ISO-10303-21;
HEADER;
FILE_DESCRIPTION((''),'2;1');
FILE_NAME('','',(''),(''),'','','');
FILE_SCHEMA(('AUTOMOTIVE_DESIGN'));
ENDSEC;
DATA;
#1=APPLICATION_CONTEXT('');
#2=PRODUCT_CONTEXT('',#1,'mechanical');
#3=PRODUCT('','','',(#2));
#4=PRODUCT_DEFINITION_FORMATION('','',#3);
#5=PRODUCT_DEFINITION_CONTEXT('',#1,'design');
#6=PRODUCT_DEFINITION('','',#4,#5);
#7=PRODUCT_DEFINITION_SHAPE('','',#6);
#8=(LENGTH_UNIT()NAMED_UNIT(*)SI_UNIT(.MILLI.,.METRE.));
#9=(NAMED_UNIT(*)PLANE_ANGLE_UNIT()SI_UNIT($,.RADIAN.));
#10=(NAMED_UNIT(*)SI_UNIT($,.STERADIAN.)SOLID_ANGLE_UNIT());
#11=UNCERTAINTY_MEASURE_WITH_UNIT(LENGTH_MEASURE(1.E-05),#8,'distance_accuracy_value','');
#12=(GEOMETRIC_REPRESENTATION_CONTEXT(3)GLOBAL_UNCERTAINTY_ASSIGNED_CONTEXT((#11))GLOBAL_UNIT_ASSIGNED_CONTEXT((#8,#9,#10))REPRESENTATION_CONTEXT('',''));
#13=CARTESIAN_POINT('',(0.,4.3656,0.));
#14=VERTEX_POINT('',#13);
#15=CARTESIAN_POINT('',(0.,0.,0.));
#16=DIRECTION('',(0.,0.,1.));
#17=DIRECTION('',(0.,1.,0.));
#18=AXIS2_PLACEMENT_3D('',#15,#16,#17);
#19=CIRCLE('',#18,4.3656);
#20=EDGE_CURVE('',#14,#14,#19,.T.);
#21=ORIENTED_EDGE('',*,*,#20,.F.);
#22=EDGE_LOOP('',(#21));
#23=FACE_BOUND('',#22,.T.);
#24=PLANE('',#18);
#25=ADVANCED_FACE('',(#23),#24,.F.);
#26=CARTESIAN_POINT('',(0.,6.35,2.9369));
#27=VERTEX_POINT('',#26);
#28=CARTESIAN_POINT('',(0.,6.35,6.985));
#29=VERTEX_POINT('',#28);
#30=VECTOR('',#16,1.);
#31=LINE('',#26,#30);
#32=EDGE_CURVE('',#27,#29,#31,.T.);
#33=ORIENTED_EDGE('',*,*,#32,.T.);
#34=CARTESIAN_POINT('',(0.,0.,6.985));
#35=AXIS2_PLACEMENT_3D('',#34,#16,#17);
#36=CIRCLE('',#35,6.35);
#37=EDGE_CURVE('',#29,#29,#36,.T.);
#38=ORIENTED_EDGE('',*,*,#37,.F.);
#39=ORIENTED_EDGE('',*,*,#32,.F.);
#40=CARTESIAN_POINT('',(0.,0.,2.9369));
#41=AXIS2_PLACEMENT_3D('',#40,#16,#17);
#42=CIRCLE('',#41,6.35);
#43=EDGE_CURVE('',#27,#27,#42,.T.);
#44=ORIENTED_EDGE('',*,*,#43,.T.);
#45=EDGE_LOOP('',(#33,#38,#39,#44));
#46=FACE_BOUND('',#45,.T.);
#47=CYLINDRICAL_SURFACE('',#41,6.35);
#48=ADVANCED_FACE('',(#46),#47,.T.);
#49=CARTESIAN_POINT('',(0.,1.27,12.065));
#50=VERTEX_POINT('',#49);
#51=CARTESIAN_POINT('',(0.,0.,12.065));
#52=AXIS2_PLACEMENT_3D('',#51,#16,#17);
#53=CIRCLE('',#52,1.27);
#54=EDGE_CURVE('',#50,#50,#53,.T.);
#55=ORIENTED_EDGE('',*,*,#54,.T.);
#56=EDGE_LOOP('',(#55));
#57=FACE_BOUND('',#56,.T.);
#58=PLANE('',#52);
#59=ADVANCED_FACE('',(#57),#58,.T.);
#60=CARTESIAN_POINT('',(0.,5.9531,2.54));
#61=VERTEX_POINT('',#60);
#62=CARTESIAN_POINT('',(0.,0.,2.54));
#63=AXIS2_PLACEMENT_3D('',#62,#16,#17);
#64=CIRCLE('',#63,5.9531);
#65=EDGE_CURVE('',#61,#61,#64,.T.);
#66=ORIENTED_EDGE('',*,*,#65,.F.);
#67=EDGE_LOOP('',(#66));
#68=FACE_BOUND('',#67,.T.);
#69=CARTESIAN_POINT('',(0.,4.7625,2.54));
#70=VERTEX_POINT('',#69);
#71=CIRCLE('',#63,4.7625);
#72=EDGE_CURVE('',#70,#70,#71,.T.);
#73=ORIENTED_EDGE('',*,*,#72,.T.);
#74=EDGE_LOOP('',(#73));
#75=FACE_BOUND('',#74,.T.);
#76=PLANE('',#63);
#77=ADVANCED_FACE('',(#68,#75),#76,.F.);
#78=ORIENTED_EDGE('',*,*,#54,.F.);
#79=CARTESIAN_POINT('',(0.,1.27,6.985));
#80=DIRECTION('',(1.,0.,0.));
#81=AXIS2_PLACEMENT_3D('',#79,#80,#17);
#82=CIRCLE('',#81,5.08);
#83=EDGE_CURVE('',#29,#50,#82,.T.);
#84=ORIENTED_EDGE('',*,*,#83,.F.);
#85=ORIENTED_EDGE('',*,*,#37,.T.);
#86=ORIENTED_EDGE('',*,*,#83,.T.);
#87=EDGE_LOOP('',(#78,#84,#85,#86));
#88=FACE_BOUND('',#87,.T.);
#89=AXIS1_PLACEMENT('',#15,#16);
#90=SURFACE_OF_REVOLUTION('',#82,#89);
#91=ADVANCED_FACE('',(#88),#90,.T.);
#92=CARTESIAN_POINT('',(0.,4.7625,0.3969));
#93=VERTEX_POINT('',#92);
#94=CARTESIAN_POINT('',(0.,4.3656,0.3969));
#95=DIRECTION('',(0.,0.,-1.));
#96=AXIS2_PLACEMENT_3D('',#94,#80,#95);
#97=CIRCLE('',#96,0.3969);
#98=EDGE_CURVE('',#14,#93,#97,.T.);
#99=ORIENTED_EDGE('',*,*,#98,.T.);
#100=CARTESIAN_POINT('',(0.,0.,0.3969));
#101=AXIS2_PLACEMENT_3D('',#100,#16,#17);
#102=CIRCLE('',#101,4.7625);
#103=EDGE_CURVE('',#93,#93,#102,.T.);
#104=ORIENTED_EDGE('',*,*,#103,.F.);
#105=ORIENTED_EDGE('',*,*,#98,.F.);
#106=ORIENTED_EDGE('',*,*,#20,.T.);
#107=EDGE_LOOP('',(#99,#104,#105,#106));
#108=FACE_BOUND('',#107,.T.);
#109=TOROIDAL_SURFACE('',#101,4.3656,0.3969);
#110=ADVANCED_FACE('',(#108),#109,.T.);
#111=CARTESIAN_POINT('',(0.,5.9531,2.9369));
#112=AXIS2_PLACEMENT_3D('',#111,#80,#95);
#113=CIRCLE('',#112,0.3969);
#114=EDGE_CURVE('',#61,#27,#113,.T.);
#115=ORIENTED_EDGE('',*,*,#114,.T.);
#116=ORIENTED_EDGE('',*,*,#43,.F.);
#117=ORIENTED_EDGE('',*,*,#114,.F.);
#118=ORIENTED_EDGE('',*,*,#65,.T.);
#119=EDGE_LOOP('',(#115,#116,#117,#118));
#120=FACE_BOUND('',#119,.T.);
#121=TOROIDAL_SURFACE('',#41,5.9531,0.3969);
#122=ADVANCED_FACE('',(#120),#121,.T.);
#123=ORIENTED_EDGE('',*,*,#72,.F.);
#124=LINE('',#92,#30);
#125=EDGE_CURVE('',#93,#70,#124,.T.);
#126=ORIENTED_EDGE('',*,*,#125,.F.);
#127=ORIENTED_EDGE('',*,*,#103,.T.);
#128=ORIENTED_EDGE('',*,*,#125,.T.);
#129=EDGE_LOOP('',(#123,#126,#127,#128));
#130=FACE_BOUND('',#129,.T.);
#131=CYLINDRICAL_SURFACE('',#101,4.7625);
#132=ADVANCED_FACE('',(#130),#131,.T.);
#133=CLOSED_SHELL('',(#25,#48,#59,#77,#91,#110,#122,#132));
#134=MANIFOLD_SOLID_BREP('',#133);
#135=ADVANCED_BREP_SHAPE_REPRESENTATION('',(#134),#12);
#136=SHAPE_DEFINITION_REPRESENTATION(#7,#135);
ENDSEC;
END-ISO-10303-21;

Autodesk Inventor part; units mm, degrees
ref_plane "YZ Plane" through (0, 0, 0) normal (1, 0, 0) x (0, 1, 0)
ref_plane "XZ Plane" through (0, 0, 0) normal (0, 1, 0) x (-1, 0, 0)
ref_plane "XY Plane" through (0, 0, 0) normal (0, 0, 1) x (1, 0, 0)
sketch "Sketch1" plane through (0, 0, 0) normal (1, 0, 0) x (0, 1, 0)
  line L0 (0, 0) -> (0, 9.586) construction
  line L1 (0, 0) -> (4.3656, 0)
  line L2 (4.7625, 0.3969) -> (4.7625, 2.54)
  line L3 (4.7625, 2.54) -> (0, 2.54)
  line L4 (0, 2.54) -> (0, 0)
  line L5 (0, 2.54) -> (5.9531, 2.54)
  line L6 (6.35, 2.9369) -> (6.35, 6.985)
  line L7 (1.27, 12.065) -> (0, 12.065)
  line L8 (0, 12.065) -> (0, 2.54)
  arc A0 (4.3656, 0) -> (4.7625, 0.3969) centre (4.3656, 0.3969) ccw
  arc A1 (5.9531, 2.54) -> (6.35, 2.9369) centre (5.9531, 2.9369) ccw
  arc A2 (6.35, 6.985) -> (1.27, 12.065) centre (1.27, 6.985) ccw
  point P0 (4.7625, 0)
  point P1 (6.35, 12.065)
  point P2 (6.35, 2.54)
  point P3 (5.9531, 12.065)
  point P4 (6.35, 11.6681)
  dimension "d0" = 2.54
  dimension "d4" = 9.525
  dimension "d5" = 6.35
  dimension "d6" = 0.3969
  dimension "d7" = 0.3969
  dimension "d11" = 4.7625
  dimension "d14" = 5.08
revolve "Revolution1" add sketch "Sketch1" angle 360 about axis through (0, 0, 0) along (0, 0, 1)
properties part number "BottomStands"
